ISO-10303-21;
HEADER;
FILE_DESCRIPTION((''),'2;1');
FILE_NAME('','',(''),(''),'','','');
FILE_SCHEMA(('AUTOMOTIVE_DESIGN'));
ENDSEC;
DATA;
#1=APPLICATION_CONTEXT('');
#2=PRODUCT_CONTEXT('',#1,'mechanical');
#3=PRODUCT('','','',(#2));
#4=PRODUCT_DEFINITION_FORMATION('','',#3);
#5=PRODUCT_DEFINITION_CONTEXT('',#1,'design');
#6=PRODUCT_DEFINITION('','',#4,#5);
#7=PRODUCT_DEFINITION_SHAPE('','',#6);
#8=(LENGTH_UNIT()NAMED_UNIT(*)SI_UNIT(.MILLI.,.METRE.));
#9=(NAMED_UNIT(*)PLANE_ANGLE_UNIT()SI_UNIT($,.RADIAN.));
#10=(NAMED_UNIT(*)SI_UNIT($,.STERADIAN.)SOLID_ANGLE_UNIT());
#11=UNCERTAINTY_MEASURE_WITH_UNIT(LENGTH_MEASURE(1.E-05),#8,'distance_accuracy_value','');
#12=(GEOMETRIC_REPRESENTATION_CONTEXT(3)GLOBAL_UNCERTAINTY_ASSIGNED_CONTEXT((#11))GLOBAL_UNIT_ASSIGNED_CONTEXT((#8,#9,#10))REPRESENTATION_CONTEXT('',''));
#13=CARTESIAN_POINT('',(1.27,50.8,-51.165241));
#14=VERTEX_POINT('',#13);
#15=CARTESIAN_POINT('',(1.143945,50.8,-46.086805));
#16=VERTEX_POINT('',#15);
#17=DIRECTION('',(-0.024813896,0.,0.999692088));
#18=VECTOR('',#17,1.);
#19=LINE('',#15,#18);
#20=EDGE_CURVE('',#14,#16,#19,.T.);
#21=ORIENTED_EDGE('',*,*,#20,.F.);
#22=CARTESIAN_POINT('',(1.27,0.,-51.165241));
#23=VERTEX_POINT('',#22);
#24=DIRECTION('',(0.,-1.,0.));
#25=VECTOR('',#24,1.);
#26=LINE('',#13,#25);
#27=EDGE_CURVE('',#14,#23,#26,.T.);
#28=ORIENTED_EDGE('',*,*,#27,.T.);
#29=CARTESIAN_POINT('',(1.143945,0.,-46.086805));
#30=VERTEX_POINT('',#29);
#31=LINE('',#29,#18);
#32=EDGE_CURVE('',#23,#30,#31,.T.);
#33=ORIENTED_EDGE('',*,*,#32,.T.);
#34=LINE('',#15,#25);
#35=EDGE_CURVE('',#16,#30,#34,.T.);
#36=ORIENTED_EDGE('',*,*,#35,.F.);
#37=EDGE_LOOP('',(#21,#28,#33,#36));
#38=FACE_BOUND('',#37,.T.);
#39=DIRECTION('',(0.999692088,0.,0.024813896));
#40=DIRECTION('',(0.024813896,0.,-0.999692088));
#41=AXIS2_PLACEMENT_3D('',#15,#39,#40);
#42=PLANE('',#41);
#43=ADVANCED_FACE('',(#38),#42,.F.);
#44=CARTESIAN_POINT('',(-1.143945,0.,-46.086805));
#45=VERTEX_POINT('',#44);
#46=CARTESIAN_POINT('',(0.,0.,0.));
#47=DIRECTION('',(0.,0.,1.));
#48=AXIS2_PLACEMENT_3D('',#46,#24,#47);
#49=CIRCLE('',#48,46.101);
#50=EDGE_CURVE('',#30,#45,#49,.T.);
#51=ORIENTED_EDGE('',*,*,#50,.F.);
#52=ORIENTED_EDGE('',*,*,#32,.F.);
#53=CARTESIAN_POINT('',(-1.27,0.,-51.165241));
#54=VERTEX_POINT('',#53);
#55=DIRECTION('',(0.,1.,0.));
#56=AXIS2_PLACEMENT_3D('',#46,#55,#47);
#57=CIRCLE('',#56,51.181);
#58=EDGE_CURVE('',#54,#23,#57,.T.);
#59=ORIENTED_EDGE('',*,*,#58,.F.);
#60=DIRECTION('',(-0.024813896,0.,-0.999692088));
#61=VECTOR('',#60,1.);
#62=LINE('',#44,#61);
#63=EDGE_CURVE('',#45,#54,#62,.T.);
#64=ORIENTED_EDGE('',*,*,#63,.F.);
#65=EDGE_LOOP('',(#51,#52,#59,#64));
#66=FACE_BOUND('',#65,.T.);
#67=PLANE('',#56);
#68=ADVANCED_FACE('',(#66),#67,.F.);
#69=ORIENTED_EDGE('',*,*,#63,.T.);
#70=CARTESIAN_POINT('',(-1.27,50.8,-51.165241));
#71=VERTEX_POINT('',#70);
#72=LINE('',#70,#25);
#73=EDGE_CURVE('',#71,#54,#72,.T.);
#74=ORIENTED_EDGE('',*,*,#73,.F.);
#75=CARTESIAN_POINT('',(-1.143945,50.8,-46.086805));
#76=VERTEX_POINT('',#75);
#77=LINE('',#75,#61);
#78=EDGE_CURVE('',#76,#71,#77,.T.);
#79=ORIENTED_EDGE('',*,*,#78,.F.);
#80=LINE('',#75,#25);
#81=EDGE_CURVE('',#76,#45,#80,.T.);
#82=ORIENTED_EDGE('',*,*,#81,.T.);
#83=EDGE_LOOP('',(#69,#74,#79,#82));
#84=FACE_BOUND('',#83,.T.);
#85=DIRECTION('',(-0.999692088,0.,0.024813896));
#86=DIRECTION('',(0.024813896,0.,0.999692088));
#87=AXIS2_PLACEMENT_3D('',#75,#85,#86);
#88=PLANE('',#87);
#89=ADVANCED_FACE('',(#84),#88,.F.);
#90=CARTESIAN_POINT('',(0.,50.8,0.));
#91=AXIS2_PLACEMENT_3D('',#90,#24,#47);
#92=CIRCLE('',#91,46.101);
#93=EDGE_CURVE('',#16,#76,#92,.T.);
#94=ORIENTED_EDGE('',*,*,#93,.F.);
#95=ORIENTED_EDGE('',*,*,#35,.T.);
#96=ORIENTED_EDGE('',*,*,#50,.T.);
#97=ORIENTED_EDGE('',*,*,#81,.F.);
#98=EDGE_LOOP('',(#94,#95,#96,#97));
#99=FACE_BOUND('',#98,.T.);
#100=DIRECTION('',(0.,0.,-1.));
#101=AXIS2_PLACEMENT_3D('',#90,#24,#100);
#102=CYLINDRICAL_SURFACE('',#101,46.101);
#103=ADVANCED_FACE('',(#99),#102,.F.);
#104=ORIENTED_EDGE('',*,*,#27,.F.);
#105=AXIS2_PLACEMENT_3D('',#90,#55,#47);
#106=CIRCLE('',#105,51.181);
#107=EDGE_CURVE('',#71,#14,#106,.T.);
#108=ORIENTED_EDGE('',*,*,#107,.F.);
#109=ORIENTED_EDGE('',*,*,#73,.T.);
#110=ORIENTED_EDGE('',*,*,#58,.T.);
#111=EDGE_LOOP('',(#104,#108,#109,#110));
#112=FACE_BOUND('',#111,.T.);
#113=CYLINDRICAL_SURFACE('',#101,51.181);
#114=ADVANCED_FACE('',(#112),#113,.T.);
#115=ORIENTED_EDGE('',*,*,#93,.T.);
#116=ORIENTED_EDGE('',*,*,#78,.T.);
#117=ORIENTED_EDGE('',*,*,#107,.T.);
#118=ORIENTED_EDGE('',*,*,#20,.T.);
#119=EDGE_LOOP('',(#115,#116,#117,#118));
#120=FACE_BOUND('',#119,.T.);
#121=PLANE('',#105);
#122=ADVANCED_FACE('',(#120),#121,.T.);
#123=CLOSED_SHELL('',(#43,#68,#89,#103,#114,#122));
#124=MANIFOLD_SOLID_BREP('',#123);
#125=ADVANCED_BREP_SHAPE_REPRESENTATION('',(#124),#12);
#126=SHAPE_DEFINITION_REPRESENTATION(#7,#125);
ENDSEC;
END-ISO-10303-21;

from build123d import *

# Parameters (mm, degrees)
BOSS_EXTRUDE1_DEPTH = 50.8


with BuildPart() as part:
    # Sketch1 → Boss-Extrude1 (new body)
    with BuildSketch(Plane(origin=(0, 0, 0), x_dir=(1, 0, 0), z_dir=(0, 1, 0))):
        with BuildLine():
            Line((1.143945409, 46.086804944), (1.27, 51.16524075))
            ThreePointArc((1.27, 51.16524075), (0, -51.181), (-1.27, 51.16524075))
            Line((-1.27, 51.16524075), (-1.143945409, 46.086804944))
            ThreePointArc((-1.143945409, 46.086804944), (0, -46.101), (1.143945409, 46.086804944))
        make_face()
    extrude(amount=BOSS_EXTRUDE1_DEPTH)


solid = part.part
